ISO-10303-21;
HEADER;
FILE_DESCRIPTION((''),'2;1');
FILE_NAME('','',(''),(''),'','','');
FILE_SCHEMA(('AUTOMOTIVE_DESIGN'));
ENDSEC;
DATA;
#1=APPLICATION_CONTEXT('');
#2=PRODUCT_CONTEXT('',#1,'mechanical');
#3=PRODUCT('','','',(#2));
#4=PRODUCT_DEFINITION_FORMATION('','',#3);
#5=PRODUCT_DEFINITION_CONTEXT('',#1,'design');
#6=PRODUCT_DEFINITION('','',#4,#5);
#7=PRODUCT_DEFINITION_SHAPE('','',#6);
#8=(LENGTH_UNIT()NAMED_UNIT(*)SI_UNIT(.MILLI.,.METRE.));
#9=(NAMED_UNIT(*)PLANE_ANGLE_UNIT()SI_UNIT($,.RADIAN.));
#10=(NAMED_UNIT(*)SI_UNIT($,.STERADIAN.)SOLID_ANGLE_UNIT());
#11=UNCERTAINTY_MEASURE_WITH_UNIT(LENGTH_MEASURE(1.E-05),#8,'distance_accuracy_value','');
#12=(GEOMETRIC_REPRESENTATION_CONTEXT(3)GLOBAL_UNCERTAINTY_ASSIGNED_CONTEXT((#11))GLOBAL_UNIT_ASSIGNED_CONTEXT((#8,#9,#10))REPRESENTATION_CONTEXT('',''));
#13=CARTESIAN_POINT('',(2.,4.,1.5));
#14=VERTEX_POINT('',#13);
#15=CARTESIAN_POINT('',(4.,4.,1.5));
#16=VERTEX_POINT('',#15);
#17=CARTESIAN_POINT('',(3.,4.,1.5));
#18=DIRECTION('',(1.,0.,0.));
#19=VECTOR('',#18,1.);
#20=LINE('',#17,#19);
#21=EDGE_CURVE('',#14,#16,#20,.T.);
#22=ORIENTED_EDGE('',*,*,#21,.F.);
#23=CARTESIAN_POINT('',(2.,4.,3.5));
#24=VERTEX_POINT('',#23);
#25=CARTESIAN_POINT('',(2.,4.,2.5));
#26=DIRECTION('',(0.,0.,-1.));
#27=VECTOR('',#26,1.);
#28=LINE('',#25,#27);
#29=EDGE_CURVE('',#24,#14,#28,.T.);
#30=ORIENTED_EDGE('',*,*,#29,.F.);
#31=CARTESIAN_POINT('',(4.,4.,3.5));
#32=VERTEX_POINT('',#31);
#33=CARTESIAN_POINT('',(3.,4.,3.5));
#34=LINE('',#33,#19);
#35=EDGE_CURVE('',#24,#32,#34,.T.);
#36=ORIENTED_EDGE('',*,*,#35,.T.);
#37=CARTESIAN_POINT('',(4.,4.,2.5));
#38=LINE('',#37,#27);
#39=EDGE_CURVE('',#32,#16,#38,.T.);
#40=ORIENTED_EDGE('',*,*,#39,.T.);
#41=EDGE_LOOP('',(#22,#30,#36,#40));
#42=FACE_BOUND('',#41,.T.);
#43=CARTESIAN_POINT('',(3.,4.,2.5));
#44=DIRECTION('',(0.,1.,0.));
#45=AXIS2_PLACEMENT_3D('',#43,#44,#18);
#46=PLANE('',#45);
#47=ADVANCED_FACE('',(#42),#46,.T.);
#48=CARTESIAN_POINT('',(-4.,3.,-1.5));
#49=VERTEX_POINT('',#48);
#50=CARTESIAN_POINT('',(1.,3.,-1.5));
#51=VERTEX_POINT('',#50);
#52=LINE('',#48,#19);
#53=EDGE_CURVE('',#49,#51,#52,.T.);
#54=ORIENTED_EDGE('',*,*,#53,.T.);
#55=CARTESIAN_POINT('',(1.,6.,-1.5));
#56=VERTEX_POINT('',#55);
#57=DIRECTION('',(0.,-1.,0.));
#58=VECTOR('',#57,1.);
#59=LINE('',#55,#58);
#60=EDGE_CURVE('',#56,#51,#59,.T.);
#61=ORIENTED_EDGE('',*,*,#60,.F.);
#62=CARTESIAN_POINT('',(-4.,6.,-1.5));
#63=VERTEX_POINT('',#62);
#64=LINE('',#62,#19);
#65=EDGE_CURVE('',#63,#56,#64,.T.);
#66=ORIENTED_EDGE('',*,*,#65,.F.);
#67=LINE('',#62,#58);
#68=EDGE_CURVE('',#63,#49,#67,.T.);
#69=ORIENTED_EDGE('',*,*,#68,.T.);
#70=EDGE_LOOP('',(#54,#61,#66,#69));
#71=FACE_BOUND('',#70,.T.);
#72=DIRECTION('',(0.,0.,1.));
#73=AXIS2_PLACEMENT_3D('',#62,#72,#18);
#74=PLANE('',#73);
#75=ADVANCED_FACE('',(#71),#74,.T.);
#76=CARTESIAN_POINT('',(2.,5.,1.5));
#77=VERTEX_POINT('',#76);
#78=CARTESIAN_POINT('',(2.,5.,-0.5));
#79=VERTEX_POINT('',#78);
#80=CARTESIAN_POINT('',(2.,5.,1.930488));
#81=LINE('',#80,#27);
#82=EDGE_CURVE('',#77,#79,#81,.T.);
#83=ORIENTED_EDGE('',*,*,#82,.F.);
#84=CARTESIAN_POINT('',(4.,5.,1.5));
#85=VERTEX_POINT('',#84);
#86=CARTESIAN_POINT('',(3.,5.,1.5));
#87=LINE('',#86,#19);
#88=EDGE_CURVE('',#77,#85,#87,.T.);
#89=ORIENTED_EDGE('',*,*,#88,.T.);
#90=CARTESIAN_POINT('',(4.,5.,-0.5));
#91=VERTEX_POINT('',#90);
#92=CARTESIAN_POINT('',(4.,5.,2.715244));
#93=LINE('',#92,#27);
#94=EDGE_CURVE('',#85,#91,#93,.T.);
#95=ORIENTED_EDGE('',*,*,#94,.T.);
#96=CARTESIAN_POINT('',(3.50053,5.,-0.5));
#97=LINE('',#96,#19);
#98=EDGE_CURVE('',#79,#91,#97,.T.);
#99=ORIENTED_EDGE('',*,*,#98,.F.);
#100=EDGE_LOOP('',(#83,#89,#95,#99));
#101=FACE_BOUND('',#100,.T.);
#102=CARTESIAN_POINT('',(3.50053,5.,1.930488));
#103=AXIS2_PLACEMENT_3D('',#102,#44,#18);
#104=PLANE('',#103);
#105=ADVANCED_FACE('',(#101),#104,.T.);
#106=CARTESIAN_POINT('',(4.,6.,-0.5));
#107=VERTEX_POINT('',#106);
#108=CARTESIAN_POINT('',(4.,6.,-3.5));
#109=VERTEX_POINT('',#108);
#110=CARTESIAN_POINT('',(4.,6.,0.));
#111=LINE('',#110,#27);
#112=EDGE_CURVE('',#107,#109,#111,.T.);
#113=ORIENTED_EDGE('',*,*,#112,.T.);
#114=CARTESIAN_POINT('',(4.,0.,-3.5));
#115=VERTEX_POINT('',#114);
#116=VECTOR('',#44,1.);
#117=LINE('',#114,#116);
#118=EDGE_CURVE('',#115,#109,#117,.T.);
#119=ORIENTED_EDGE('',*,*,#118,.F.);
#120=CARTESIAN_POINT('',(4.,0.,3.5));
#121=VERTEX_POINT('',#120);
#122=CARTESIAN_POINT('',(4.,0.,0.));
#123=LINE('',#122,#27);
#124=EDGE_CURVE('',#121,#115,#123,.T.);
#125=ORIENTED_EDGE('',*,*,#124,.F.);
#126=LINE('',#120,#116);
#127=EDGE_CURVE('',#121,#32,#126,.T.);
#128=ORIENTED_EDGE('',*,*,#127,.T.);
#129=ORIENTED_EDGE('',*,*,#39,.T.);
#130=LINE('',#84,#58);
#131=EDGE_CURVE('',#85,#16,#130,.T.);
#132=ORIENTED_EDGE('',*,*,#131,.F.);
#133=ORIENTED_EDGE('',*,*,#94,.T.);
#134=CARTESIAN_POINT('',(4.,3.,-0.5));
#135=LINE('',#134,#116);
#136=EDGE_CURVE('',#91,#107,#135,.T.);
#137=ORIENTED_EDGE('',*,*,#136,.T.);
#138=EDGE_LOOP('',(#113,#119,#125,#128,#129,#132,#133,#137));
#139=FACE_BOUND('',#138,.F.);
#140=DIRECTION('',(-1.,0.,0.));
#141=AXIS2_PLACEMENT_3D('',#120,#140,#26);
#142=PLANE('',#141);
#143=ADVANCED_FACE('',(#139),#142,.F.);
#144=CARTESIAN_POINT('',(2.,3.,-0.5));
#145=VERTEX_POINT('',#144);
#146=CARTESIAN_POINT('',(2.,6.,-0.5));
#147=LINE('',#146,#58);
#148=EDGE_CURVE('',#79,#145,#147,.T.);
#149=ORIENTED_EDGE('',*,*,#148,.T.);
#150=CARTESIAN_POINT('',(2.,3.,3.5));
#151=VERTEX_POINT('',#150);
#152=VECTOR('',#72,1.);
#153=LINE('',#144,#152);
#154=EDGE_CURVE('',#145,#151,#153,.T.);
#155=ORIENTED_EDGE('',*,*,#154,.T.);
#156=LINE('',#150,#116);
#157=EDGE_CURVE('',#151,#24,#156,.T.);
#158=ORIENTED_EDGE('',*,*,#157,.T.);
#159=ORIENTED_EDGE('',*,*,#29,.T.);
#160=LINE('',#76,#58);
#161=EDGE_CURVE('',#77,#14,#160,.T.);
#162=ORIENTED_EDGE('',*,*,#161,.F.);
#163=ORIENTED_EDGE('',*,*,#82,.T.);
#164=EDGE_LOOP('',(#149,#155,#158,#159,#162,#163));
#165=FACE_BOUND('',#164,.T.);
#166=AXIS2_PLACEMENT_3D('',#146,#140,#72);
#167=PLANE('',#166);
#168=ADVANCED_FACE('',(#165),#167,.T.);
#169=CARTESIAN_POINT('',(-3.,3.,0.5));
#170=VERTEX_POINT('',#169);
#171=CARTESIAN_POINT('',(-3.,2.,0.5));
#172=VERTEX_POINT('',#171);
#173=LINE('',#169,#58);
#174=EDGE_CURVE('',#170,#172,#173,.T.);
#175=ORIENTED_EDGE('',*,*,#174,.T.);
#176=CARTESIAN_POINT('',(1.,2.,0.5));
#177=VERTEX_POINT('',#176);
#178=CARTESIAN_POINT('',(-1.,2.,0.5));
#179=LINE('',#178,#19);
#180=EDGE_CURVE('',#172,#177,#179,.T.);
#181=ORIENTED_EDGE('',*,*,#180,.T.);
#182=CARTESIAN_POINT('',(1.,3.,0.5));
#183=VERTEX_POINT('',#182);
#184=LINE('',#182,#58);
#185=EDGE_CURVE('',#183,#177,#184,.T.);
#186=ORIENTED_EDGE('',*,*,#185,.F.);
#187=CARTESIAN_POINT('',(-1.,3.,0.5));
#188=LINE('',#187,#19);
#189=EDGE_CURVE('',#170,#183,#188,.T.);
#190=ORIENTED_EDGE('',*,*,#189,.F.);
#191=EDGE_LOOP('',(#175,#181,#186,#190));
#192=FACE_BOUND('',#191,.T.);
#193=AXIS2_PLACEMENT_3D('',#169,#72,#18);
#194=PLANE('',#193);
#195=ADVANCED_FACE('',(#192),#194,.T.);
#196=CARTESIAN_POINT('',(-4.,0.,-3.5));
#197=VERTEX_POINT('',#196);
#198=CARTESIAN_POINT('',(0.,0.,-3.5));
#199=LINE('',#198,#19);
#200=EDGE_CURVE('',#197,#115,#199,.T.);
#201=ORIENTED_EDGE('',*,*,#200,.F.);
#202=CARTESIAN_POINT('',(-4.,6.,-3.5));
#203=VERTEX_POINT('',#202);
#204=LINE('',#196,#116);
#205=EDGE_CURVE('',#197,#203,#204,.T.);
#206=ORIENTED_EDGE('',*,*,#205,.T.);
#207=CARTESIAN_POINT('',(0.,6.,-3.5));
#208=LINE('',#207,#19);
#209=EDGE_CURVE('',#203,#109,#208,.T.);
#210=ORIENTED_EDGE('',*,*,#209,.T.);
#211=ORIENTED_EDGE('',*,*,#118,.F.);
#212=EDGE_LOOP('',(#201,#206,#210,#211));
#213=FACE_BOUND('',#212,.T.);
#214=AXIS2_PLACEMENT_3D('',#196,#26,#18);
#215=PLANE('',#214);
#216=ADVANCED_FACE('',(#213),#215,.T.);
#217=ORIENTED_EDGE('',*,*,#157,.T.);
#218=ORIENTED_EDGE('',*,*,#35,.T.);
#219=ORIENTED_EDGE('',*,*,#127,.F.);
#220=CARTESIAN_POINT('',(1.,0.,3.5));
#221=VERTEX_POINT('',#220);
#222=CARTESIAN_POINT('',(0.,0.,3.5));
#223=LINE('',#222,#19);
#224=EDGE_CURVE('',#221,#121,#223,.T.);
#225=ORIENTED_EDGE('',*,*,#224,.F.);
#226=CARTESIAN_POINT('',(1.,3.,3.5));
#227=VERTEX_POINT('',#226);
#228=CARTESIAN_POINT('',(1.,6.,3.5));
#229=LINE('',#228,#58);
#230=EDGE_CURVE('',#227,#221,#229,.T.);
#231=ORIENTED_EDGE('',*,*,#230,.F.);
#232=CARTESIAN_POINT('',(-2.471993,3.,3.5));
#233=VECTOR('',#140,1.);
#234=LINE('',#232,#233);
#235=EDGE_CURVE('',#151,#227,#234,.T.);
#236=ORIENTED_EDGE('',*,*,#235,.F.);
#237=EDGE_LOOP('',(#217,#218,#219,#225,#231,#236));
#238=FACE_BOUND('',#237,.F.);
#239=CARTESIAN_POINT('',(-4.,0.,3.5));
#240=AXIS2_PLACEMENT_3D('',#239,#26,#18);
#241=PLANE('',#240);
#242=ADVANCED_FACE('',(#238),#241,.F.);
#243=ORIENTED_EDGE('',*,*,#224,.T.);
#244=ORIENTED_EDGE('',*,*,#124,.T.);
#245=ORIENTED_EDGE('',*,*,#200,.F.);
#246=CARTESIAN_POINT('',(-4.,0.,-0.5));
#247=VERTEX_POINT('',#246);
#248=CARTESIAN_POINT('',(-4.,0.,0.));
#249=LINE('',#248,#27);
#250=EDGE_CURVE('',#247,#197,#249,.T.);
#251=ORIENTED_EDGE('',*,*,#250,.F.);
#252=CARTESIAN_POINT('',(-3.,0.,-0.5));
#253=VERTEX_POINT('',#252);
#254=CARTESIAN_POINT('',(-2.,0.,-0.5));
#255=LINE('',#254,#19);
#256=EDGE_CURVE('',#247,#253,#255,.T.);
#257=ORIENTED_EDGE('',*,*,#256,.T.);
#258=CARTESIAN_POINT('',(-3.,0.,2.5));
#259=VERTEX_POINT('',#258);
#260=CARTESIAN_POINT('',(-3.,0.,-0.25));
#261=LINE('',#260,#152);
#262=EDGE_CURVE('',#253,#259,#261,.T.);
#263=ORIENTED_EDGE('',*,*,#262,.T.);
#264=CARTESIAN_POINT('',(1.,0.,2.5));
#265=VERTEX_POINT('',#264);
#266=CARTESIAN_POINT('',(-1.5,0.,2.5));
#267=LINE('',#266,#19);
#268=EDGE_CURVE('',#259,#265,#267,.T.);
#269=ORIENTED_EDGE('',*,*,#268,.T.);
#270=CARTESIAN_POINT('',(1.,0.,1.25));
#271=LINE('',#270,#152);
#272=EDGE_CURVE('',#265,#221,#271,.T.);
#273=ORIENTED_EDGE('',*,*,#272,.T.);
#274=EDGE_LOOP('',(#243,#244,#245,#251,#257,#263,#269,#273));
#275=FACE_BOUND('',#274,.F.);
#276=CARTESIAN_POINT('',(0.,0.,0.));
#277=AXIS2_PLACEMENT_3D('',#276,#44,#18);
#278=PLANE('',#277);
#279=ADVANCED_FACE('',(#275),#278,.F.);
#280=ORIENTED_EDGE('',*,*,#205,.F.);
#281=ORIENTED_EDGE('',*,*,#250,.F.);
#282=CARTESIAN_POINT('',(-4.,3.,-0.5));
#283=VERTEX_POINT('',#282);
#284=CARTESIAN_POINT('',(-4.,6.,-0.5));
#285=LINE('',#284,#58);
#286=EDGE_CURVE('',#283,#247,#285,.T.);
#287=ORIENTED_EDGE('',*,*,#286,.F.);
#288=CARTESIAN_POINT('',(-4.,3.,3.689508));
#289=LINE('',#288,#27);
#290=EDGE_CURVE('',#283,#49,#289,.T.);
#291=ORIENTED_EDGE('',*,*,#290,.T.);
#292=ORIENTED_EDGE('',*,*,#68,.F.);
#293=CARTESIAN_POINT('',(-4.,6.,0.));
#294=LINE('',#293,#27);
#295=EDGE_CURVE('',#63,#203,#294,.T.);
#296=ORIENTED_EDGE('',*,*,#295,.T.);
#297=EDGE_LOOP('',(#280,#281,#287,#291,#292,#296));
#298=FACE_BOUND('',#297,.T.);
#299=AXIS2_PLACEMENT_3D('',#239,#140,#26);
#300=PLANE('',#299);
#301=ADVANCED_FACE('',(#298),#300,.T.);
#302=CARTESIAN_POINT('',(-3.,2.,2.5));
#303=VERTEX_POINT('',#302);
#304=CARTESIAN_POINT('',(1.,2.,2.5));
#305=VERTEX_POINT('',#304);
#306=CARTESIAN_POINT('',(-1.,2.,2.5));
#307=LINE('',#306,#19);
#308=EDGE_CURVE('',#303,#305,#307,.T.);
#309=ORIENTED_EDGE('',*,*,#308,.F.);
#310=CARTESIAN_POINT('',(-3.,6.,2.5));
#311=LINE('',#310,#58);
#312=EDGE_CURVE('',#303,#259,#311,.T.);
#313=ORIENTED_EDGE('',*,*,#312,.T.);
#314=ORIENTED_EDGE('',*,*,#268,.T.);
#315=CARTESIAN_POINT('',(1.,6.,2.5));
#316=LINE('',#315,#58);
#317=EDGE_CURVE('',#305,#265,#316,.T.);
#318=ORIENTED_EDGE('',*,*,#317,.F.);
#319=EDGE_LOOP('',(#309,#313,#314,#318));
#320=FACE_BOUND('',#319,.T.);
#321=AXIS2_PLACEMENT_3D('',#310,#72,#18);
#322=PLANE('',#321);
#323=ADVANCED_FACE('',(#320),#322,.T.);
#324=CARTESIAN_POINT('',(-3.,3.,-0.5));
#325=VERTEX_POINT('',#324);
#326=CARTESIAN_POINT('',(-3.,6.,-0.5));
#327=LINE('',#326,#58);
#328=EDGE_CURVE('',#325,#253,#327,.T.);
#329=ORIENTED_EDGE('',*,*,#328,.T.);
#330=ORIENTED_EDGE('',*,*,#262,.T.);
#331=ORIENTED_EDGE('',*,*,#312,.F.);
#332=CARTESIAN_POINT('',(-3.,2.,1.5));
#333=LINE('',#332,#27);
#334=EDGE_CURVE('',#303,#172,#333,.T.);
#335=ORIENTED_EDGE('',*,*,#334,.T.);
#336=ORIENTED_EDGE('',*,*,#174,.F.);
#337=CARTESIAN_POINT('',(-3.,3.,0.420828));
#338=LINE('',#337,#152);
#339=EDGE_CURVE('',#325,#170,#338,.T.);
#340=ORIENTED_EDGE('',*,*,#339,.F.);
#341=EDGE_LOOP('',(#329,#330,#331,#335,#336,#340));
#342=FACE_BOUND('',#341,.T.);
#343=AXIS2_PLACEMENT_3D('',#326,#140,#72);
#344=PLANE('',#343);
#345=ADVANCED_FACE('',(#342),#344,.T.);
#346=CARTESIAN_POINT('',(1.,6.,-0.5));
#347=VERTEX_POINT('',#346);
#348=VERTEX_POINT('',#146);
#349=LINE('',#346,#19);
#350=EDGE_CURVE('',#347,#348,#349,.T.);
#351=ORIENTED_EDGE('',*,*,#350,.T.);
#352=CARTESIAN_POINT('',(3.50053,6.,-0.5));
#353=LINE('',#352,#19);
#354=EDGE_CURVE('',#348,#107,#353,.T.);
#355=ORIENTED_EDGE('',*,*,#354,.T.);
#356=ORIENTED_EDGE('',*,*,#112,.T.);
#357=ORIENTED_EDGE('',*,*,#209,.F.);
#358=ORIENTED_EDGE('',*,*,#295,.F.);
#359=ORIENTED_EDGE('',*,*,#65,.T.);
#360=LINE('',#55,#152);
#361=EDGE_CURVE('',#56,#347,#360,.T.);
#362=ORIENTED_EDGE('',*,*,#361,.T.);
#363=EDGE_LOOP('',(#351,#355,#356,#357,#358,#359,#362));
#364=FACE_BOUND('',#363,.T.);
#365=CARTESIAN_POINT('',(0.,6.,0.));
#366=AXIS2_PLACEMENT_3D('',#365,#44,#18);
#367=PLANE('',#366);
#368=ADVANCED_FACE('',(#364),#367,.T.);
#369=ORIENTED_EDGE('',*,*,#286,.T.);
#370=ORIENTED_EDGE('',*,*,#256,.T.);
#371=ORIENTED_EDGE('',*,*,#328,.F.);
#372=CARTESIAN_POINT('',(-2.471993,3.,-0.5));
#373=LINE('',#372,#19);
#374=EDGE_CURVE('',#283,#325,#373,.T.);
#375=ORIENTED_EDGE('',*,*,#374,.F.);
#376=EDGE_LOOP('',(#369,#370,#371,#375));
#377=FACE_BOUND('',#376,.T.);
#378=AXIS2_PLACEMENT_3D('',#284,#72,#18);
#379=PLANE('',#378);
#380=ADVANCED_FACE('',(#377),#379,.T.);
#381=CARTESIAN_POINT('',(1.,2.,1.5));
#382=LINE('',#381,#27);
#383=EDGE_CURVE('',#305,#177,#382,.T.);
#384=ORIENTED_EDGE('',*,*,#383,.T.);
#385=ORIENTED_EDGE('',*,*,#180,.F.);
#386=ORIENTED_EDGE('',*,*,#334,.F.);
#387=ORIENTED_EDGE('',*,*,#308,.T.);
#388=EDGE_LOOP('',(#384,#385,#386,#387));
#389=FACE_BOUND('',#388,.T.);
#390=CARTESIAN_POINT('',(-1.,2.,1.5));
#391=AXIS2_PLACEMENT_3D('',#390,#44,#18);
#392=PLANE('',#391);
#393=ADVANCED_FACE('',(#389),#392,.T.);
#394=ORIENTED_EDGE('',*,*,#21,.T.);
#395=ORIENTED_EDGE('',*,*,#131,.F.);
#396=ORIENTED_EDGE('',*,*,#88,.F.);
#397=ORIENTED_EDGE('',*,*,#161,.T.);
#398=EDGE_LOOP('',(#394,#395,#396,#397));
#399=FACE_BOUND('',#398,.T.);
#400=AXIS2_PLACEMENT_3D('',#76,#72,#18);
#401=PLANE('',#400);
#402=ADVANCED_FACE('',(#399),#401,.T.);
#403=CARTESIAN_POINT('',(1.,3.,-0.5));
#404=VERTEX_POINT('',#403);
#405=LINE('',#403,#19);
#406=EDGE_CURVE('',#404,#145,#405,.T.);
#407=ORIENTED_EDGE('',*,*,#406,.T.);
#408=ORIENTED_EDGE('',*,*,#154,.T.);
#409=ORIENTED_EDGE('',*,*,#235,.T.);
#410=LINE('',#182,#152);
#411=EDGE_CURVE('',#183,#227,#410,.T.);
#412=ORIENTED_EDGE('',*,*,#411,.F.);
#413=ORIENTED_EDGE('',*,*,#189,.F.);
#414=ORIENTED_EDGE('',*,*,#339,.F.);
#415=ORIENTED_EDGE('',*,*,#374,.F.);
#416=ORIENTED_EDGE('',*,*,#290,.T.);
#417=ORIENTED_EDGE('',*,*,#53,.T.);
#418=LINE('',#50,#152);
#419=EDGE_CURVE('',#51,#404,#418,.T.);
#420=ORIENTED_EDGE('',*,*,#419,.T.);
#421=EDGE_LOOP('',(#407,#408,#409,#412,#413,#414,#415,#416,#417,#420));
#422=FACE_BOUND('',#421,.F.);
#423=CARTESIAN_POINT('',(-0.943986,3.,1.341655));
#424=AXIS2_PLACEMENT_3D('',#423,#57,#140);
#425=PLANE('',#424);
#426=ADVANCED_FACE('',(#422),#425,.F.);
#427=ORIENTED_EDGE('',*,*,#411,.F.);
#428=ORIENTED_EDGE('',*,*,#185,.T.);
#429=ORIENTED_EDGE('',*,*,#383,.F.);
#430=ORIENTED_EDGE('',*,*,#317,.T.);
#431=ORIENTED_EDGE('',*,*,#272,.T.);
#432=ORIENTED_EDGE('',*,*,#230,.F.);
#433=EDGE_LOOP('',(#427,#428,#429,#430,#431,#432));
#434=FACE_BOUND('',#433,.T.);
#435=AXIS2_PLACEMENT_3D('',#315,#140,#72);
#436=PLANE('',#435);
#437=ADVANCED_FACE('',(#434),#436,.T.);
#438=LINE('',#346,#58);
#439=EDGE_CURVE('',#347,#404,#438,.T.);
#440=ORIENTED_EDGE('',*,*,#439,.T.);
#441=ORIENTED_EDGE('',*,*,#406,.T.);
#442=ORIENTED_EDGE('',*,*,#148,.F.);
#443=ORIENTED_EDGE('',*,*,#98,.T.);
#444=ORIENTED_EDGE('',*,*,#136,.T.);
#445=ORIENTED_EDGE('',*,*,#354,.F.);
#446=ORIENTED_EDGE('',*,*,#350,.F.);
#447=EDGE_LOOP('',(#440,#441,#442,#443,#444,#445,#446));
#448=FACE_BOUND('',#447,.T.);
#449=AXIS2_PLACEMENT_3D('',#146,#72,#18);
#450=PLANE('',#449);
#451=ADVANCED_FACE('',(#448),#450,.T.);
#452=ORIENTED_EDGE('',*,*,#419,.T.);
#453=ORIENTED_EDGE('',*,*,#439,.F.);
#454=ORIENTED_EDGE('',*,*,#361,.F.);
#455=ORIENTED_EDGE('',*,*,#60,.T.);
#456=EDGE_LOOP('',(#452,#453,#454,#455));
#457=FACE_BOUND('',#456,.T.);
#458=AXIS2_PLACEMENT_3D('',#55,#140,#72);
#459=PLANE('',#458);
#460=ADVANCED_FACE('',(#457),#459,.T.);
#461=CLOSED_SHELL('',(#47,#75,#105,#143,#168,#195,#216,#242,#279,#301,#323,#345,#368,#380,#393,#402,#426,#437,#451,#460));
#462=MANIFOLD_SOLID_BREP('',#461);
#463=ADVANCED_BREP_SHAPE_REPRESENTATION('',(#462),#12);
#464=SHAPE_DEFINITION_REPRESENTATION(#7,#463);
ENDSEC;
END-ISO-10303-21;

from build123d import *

# Parameters (mm, degrees)
SKETCH1_W           = 8
SKETCH1_H           = 7
BOSS_EXTRUDE1_DEPTH = 6
CUT_EXTRUDE1_DEPTH  = 60
CUT_EXTRUDE2_DEPTH  = 3
SKETCH5_W           = 4
SKETCH5_H           = 2
CUT_EXTRUDE3_DEPTH  = 1
SKETCH6_W           = 3.001059972
SKETCH6_H           = 4.860975679
CUT_EXTRUDE4_DEPTH  = 1
SKETCH7_W           = 2
SKETCH7_H           = 2
CUT_EXTRUDE5_DEPTH  = 1


with BuildPart() as part:
    # Sketch1 → Boss-Extrude1 (new body)
    with BuildSketch(Plane(origin=(0, 0, 0), x_dir=(1, 0, 0), z_dir=(0, 1, 0))):
        Rectangle(SKETCH1_W, SKETCH1_H)
    extrude(amount=BOSS_EXTRUDE1_DEPTH)

    # Sketch2 → Cut-Extrude1 (cut)
    with BuildSketch(Plane(origin=(0, 6, 0), x_dir=(1, 0, 0), z_dir=(0, 1, 0))):
        Polygon((-4, 0.5), (-3, 0.5), (-3, -2.5), (1, -2.5), (1, -3.5), (-4, -3.5), align=None)
    extrude(amount=-CUT_EXTRUDE1_DEPTH, mode=Mode.SUBTRACT)

    # Sketch4 → Cut-Extrude2 (cut)
    with BuildSketch(Plane(origin=(0, 6, 0), x_dir=(1, 0, 0), z_dir=(0, 1, 0))):
        Polygon((-4, 1.5), (1, 1.5), (1, 0.5), (2, 0.5), (2, -4.455907127), (-4, -3.689508324), align=None)
    extrude(amount=-CUT_EXTRUDE2_DEPTH, mode=Mode.SUBTRACT)

    # Sketch5 → Cut-Extrude3 (cut)
    with BuildSketch(Plane(origin=(0, 3, 0), x_dir=(1, 0, 0), z_dir=(0, 1, 0))):
        with Locations((-1, -1.5)):
            Rectangle(SKETCH5_W, SKETCH5_H)
    extrude(amount=-CUT_EXTRUDE3_DEPTH, mode=Mode.SUBTRACT)

    # Sketch6 → Cut-Extrude4 (cut)
    with BuildSketch(Plane(origin=(0, 6, 0), x_dir=(1, 0, 0), z_dir=(0, 1, 0))):
        with Locations((3.500529986, -1.93048784)):
            Rectangle(SKETCH6_W, SKETCH6_H)
    extrude(amount=-CUT_EXTRUDE4_DEPTH, mode=Mode.SUBTRACT)

    # Sketch7 → Cut-Extrude5 (cut)
    with BuildSketch(Plane(origin=(0, 5, 0), x_dir=(1, 0, 0), z_dir=(0, 1, 0))):
        with Locations((3, -2.5)):
            Rectangle(SKETCH7_W, SKETCH7_H)
    extrude(amount=-CUT_EXTRUDE5_DEPTH, mode=Mode.SUBTRACT)


solid = part.part
